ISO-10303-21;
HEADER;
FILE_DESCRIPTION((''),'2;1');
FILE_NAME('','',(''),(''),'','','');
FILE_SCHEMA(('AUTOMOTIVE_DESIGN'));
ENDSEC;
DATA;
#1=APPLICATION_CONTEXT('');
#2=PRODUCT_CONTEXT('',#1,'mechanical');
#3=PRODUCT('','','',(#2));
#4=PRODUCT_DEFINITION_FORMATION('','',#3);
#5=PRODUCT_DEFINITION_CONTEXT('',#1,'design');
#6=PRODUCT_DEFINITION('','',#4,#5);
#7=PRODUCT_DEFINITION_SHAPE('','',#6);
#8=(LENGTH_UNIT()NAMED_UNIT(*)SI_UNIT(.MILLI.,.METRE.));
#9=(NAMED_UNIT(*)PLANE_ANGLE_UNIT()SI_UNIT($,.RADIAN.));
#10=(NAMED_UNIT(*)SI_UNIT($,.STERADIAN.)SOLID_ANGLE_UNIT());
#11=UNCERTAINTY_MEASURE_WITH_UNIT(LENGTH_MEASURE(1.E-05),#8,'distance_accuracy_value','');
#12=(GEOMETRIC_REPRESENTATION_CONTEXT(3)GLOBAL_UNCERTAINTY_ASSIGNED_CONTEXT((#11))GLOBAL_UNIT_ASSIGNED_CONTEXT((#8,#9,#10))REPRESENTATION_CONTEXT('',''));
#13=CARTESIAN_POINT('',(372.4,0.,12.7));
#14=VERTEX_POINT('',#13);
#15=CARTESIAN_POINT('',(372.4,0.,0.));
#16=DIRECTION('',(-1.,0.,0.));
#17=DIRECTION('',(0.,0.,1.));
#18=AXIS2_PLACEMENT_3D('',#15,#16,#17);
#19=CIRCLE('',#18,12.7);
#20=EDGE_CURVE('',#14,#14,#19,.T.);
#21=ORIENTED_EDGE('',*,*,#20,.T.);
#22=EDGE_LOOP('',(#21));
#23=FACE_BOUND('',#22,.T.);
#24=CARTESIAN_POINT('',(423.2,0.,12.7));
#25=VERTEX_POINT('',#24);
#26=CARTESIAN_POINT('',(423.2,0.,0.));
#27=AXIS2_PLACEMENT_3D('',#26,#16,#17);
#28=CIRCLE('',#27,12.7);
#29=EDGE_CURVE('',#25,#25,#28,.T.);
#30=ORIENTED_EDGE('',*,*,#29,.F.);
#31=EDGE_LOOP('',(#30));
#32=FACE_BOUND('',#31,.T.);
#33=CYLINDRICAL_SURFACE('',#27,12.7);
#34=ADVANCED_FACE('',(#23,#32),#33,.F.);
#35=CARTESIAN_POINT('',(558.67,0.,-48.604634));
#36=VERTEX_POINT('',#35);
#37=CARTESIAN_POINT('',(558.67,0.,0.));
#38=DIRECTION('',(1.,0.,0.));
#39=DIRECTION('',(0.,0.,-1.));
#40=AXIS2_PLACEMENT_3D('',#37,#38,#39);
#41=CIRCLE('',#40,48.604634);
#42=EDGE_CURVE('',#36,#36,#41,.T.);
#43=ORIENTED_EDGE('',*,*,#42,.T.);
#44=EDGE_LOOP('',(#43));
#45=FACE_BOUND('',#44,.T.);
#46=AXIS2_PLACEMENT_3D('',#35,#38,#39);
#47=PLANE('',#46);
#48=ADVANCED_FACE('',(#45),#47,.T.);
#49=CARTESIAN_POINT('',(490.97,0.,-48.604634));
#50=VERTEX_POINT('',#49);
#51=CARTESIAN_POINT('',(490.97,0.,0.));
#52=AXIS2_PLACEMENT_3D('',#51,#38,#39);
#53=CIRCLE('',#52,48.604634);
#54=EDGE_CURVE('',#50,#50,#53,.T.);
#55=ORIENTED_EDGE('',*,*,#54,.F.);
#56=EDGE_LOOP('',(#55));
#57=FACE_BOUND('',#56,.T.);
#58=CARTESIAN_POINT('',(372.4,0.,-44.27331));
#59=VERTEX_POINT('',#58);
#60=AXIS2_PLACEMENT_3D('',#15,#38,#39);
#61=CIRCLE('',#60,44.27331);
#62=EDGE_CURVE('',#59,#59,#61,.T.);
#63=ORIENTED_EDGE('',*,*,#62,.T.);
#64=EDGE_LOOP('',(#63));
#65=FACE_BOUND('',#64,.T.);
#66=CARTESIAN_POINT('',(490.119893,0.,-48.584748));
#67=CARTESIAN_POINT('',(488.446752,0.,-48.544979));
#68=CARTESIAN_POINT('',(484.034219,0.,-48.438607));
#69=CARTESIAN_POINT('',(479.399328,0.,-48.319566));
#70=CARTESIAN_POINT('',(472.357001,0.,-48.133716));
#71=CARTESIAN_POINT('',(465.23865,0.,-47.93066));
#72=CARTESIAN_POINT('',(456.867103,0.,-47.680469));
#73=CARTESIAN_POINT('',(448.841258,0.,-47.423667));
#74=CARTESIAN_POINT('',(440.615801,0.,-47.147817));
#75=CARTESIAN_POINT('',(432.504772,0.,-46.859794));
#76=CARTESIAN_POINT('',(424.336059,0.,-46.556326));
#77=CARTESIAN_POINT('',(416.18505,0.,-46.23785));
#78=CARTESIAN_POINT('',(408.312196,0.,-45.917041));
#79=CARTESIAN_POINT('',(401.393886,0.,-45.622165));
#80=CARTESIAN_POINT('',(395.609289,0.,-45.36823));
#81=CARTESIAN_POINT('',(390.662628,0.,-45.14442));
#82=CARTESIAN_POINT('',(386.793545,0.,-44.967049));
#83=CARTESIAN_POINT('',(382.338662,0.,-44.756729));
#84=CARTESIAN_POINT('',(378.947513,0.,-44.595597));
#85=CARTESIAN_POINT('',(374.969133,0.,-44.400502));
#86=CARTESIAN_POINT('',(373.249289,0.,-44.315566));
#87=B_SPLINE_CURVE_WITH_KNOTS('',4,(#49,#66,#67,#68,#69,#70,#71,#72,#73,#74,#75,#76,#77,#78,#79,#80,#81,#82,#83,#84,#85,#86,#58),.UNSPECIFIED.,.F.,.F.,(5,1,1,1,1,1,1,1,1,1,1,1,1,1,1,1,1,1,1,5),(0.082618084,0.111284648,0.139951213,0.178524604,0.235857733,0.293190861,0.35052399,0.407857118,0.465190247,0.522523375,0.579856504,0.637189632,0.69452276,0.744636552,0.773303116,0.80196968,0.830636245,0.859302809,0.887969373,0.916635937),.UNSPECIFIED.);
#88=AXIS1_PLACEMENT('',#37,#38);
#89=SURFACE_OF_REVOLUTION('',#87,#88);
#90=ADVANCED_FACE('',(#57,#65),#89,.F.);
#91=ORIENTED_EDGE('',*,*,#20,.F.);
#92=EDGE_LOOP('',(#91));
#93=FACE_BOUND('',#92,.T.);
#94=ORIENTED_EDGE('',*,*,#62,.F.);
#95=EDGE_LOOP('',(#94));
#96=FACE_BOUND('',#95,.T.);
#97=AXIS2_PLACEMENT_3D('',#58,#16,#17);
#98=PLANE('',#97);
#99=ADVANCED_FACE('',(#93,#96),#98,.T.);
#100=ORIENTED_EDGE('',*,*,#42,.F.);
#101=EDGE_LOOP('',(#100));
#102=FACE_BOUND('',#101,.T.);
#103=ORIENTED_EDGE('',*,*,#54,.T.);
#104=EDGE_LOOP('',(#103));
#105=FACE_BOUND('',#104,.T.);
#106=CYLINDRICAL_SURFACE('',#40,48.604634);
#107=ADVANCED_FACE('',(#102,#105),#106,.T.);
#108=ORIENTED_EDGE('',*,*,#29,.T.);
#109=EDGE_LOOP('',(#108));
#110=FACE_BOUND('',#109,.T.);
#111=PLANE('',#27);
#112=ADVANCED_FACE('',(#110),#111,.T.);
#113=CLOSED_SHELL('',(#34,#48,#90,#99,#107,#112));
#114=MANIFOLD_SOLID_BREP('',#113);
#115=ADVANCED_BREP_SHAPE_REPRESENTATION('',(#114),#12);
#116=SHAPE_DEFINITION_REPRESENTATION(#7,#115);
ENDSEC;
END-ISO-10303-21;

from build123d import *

# Parameters (mm, degrees)
SKETCH2_R          = 12.7
CUT_EXTRUDE1_DEPTH = 50.8


with BuildPart() as part:
    # Sketch1 → Revolve1 (revolve)
    with BuildSketch(Plane(origin=(0, 0, 0), x_dir=(1, 0, 0), z_dir=(0, 1, 0))):
        with BuildLine():
            Line((372.400000001, 44.273309897), (372.400000001, 0))
            Line((372.400000001, 0), (558.670000001, 0))
            Line((558.670000001, 0), (558.670000001, 48.604634376))
            Line((558.670000001, 48.604634376), (490.970000001, 48.604634376))
            add(Edge.make_bspline(
                [(372.400000001, 44.273309897), (373.24928915, 44.315565849), (374.969132917, 44.400501763), (378.947512637, 44.595596744), (382.338661842, 44.756728874), (386.793545067, 44.96704947), (390.662627743, 45.144419901), (395.609288848, 45.36822952), (401.393886451, 45.622164583), (408.312195722, 45.91704082), (416.18505041, 46.237850218), (424.336059228, 46.556325922), (432.504772067, 46.859794231), (440.61580108, 47.147817017), (448.84125804, 47.423666804), (456.867103281, 47.680468551), (465.238649858, 47.930660022), (472.357001173, 48.13371559), (479.399328002, 48.319565863), (484.034218998, 48.438607252), (488.446752277, 48.544979253), (490.119892859, 48.584748285), (490.970000001, 48.604634376)],
                knots=[0.082618084, 0.082618084, 0.082618084, 0.082618084, 0.082618084, 0.111284649, 0.139951213, 0.168617777, 0.197284341, 0.225950906, 0.25461747, 0.304731261, 0.36206439, 0.419397518, 0.476730647, 0.534063775, 0.591396904, 0.648730032, 0.70606316, 0.763396289, 0.820729417, 0.859302809, 0.887969373, 0.916635937, 0.916635937, 0.916635937, 0.916635937, 0.916635937], degree=4))
        make_face()
    revolve(axis=Axis((558.670000001, 0, 0), (-1, 0, 0)))

    # Sketch2 → Cut-Extrude1 (cut)
    with BuildSketch(Plane.ZY.offset(-372.4)):
        Circle(SKETCH2_R)
    extrude(amount=-CUT_EXTRUDE1_DEPTH, mode=Mode.SUBTRACT)


solid = part.part
